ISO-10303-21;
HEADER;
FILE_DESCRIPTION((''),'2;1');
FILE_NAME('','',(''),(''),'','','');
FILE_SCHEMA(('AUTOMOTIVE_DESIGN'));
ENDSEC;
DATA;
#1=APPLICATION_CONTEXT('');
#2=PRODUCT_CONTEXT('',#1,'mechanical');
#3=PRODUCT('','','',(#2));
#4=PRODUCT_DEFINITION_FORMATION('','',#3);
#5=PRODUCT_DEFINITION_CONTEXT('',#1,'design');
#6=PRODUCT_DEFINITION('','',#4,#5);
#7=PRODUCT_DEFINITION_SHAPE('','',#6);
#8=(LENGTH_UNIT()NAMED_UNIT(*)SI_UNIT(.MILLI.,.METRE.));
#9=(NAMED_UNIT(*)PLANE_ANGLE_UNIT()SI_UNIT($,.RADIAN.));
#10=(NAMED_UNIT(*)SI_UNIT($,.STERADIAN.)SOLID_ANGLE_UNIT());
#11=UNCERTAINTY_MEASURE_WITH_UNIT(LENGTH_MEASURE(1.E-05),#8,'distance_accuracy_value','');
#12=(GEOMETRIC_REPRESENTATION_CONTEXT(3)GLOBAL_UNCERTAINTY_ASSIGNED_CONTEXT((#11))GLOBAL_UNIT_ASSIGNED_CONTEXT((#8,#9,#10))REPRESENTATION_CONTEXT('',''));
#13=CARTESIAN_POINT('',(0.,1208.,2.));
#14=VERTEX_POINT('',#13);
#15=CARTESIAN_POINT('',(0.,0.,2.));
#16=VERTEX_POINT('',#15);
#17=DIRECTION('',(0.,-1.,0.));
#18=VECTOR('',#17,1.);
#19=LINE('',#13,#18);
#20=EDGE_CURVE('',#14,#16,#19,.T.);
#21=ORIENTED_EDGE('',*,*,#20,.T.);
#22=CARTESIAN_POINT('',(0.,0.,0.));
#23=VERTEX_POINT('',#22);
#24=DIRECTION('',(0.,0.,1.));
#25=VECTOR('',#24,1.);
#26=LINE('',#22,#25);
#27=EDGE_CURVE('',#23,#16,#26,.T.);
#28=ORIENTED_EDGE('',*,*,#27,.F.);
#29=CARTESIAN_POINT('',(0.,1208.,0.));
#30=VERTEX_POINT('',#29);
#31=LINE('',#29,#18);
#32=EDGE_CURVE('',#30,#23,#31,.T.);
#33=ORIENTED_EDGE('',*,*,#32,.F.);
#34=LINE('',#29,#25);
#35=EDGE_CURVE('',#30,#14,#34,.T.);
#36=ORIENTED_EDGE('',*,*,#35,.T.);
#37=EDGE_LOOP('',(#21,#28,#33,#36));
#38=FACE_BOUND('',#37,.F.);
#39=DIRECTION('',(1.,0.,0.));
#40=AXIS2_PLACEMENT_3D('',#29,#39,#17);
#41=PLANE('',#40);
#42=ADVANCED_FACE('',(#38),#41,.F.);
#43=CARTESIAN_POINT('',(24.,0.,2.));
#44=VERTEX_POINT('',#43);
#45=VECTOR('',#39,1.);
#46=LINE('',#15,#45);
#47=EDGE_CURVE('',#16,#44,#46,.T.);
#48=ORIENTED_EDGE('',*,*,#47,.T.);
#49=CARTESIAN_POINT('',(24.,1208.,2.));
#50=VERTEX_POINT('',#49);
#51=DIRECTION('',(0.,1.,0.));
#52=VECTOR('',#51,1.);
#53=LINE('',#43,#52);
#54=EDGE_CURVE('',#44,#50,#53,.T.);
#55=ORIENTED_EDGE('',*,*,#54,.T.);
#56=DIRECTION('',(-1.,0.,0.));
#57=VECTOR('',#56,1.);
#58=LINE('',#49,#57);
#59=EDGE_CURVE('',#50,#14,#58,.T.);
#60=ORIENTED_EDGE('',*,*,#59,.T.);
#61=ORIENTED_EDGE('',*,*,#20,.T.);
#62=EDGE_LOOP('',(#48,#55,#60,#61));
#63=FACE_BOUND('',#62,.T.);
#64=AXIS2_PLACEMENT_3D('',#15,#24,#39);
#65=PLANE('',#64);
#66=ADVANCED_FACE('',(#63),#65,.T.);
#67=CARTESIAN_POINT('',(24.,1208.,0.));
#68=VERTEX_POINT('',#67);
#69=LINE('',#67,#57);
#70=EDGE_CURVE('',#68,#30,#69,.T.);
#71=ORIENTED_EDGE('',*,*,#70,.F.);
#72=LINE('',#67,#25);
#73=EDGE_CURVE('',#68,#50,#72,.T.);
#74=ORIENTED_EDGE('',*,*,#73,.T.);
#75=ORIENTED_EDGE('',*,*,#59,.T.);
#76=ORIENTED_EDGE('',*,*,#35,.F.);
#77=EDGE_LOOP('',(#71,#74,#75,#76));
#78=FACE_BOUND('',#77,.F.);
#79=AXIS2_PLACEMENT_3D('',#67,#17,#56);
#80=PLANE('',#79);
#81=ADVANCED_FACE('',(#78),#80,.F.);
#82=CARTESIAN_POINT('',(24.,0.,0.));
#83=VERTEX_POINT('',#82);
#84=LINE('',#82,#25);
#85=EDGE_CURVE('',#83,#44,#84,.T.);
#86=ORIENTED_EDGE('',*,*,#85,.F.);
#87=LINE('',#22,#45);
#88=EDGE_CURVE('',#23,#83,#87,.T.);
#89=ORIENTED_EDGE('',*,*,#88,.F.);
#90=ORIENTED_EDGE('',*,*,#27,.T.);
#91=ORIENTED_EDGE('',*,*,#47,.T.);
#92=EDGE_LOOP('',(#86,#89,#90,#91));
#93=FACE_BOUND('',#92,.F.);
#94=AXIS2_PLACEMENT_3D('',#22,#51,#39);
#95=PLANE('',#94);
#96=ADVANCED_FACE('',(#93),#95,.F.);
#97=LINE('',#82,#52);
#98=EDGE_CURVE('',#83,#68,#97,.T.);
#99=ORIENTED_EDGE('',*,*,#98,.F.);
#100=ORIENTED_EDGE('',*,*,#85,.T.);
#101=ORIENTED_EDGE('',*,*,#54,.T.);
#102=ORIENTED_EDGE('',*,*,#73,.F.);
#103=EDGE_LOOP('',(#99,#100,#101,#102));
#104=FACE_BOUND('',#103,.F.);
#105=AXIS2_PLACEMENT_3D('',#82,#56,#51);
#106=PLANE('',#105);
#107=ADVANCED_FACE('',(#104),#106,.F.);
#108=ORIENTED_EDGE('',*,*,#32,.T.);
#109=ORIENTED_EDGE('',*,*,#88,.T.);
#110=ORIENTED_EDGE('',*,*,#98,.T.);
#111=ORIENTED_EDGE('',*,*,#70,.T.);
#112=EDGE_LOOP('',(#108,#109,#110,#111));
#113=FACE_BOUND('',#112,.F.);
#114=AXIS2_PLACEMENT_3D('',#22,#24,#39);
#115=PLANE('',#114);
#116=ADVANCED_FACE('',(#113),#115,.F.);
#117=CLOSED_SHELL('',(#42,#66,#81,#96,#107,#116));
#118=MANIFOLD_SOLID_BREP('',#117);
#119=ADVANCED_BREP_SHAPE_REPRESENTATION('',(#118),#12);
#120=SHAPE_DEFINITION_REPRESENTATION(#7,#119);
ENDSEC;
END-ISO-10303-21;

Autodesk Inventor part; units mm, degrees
ref_plane "YZ Plane" through (0, 0, 0) normal (1, 0, 0) x (0, 1, 0)
ref_plane "XZ Plane" through (0, 0, 0) normal (0, 1, 0) x (-1, 0, 0)
ref_plane "XY Plane" through (0, 0, 0) normal (0, 0, 1) x (1, 0, 0)
sketch "Sketch1" plane through (0, 0, 0) normal (0, 0, 1) x (1, 0, 0)
  line L0 (0, 0) -> (24, 0)
  line L1 (24, 0) -> (24, 1208)
  line L2 (24, 1208) -> (0, 1208)
  line L3 (0, 1208) -> (0, 0)
  dimension "d0" = 24
  dimension "d1" = 1208
extrude "Plate1" add sketch "Sketch1" along normal blind 2
equation "\"d2\" = Thickness"
equation "\"BendRadius\" = Thickness"
equation "\"BendReliefWidth\" = Thickness"
equation "\"BendReliefDepth\" = 0.5 * Thickness"
equation "\"CornerReliefSize\" = 4 * Thickness"
equation "\"MinimumRemnant\" = 2 * Thickness"
equation "\"TransitionRadius\" = BendRadius"
equation "\"JacobiRadiusSize\" = BendRadius"
equation "\"GapSize\" = Thickness"
equation "\"Thickness\" = 2"
properties part number "acryl-difuseringsplader" material "PC/ABS Plastic"
